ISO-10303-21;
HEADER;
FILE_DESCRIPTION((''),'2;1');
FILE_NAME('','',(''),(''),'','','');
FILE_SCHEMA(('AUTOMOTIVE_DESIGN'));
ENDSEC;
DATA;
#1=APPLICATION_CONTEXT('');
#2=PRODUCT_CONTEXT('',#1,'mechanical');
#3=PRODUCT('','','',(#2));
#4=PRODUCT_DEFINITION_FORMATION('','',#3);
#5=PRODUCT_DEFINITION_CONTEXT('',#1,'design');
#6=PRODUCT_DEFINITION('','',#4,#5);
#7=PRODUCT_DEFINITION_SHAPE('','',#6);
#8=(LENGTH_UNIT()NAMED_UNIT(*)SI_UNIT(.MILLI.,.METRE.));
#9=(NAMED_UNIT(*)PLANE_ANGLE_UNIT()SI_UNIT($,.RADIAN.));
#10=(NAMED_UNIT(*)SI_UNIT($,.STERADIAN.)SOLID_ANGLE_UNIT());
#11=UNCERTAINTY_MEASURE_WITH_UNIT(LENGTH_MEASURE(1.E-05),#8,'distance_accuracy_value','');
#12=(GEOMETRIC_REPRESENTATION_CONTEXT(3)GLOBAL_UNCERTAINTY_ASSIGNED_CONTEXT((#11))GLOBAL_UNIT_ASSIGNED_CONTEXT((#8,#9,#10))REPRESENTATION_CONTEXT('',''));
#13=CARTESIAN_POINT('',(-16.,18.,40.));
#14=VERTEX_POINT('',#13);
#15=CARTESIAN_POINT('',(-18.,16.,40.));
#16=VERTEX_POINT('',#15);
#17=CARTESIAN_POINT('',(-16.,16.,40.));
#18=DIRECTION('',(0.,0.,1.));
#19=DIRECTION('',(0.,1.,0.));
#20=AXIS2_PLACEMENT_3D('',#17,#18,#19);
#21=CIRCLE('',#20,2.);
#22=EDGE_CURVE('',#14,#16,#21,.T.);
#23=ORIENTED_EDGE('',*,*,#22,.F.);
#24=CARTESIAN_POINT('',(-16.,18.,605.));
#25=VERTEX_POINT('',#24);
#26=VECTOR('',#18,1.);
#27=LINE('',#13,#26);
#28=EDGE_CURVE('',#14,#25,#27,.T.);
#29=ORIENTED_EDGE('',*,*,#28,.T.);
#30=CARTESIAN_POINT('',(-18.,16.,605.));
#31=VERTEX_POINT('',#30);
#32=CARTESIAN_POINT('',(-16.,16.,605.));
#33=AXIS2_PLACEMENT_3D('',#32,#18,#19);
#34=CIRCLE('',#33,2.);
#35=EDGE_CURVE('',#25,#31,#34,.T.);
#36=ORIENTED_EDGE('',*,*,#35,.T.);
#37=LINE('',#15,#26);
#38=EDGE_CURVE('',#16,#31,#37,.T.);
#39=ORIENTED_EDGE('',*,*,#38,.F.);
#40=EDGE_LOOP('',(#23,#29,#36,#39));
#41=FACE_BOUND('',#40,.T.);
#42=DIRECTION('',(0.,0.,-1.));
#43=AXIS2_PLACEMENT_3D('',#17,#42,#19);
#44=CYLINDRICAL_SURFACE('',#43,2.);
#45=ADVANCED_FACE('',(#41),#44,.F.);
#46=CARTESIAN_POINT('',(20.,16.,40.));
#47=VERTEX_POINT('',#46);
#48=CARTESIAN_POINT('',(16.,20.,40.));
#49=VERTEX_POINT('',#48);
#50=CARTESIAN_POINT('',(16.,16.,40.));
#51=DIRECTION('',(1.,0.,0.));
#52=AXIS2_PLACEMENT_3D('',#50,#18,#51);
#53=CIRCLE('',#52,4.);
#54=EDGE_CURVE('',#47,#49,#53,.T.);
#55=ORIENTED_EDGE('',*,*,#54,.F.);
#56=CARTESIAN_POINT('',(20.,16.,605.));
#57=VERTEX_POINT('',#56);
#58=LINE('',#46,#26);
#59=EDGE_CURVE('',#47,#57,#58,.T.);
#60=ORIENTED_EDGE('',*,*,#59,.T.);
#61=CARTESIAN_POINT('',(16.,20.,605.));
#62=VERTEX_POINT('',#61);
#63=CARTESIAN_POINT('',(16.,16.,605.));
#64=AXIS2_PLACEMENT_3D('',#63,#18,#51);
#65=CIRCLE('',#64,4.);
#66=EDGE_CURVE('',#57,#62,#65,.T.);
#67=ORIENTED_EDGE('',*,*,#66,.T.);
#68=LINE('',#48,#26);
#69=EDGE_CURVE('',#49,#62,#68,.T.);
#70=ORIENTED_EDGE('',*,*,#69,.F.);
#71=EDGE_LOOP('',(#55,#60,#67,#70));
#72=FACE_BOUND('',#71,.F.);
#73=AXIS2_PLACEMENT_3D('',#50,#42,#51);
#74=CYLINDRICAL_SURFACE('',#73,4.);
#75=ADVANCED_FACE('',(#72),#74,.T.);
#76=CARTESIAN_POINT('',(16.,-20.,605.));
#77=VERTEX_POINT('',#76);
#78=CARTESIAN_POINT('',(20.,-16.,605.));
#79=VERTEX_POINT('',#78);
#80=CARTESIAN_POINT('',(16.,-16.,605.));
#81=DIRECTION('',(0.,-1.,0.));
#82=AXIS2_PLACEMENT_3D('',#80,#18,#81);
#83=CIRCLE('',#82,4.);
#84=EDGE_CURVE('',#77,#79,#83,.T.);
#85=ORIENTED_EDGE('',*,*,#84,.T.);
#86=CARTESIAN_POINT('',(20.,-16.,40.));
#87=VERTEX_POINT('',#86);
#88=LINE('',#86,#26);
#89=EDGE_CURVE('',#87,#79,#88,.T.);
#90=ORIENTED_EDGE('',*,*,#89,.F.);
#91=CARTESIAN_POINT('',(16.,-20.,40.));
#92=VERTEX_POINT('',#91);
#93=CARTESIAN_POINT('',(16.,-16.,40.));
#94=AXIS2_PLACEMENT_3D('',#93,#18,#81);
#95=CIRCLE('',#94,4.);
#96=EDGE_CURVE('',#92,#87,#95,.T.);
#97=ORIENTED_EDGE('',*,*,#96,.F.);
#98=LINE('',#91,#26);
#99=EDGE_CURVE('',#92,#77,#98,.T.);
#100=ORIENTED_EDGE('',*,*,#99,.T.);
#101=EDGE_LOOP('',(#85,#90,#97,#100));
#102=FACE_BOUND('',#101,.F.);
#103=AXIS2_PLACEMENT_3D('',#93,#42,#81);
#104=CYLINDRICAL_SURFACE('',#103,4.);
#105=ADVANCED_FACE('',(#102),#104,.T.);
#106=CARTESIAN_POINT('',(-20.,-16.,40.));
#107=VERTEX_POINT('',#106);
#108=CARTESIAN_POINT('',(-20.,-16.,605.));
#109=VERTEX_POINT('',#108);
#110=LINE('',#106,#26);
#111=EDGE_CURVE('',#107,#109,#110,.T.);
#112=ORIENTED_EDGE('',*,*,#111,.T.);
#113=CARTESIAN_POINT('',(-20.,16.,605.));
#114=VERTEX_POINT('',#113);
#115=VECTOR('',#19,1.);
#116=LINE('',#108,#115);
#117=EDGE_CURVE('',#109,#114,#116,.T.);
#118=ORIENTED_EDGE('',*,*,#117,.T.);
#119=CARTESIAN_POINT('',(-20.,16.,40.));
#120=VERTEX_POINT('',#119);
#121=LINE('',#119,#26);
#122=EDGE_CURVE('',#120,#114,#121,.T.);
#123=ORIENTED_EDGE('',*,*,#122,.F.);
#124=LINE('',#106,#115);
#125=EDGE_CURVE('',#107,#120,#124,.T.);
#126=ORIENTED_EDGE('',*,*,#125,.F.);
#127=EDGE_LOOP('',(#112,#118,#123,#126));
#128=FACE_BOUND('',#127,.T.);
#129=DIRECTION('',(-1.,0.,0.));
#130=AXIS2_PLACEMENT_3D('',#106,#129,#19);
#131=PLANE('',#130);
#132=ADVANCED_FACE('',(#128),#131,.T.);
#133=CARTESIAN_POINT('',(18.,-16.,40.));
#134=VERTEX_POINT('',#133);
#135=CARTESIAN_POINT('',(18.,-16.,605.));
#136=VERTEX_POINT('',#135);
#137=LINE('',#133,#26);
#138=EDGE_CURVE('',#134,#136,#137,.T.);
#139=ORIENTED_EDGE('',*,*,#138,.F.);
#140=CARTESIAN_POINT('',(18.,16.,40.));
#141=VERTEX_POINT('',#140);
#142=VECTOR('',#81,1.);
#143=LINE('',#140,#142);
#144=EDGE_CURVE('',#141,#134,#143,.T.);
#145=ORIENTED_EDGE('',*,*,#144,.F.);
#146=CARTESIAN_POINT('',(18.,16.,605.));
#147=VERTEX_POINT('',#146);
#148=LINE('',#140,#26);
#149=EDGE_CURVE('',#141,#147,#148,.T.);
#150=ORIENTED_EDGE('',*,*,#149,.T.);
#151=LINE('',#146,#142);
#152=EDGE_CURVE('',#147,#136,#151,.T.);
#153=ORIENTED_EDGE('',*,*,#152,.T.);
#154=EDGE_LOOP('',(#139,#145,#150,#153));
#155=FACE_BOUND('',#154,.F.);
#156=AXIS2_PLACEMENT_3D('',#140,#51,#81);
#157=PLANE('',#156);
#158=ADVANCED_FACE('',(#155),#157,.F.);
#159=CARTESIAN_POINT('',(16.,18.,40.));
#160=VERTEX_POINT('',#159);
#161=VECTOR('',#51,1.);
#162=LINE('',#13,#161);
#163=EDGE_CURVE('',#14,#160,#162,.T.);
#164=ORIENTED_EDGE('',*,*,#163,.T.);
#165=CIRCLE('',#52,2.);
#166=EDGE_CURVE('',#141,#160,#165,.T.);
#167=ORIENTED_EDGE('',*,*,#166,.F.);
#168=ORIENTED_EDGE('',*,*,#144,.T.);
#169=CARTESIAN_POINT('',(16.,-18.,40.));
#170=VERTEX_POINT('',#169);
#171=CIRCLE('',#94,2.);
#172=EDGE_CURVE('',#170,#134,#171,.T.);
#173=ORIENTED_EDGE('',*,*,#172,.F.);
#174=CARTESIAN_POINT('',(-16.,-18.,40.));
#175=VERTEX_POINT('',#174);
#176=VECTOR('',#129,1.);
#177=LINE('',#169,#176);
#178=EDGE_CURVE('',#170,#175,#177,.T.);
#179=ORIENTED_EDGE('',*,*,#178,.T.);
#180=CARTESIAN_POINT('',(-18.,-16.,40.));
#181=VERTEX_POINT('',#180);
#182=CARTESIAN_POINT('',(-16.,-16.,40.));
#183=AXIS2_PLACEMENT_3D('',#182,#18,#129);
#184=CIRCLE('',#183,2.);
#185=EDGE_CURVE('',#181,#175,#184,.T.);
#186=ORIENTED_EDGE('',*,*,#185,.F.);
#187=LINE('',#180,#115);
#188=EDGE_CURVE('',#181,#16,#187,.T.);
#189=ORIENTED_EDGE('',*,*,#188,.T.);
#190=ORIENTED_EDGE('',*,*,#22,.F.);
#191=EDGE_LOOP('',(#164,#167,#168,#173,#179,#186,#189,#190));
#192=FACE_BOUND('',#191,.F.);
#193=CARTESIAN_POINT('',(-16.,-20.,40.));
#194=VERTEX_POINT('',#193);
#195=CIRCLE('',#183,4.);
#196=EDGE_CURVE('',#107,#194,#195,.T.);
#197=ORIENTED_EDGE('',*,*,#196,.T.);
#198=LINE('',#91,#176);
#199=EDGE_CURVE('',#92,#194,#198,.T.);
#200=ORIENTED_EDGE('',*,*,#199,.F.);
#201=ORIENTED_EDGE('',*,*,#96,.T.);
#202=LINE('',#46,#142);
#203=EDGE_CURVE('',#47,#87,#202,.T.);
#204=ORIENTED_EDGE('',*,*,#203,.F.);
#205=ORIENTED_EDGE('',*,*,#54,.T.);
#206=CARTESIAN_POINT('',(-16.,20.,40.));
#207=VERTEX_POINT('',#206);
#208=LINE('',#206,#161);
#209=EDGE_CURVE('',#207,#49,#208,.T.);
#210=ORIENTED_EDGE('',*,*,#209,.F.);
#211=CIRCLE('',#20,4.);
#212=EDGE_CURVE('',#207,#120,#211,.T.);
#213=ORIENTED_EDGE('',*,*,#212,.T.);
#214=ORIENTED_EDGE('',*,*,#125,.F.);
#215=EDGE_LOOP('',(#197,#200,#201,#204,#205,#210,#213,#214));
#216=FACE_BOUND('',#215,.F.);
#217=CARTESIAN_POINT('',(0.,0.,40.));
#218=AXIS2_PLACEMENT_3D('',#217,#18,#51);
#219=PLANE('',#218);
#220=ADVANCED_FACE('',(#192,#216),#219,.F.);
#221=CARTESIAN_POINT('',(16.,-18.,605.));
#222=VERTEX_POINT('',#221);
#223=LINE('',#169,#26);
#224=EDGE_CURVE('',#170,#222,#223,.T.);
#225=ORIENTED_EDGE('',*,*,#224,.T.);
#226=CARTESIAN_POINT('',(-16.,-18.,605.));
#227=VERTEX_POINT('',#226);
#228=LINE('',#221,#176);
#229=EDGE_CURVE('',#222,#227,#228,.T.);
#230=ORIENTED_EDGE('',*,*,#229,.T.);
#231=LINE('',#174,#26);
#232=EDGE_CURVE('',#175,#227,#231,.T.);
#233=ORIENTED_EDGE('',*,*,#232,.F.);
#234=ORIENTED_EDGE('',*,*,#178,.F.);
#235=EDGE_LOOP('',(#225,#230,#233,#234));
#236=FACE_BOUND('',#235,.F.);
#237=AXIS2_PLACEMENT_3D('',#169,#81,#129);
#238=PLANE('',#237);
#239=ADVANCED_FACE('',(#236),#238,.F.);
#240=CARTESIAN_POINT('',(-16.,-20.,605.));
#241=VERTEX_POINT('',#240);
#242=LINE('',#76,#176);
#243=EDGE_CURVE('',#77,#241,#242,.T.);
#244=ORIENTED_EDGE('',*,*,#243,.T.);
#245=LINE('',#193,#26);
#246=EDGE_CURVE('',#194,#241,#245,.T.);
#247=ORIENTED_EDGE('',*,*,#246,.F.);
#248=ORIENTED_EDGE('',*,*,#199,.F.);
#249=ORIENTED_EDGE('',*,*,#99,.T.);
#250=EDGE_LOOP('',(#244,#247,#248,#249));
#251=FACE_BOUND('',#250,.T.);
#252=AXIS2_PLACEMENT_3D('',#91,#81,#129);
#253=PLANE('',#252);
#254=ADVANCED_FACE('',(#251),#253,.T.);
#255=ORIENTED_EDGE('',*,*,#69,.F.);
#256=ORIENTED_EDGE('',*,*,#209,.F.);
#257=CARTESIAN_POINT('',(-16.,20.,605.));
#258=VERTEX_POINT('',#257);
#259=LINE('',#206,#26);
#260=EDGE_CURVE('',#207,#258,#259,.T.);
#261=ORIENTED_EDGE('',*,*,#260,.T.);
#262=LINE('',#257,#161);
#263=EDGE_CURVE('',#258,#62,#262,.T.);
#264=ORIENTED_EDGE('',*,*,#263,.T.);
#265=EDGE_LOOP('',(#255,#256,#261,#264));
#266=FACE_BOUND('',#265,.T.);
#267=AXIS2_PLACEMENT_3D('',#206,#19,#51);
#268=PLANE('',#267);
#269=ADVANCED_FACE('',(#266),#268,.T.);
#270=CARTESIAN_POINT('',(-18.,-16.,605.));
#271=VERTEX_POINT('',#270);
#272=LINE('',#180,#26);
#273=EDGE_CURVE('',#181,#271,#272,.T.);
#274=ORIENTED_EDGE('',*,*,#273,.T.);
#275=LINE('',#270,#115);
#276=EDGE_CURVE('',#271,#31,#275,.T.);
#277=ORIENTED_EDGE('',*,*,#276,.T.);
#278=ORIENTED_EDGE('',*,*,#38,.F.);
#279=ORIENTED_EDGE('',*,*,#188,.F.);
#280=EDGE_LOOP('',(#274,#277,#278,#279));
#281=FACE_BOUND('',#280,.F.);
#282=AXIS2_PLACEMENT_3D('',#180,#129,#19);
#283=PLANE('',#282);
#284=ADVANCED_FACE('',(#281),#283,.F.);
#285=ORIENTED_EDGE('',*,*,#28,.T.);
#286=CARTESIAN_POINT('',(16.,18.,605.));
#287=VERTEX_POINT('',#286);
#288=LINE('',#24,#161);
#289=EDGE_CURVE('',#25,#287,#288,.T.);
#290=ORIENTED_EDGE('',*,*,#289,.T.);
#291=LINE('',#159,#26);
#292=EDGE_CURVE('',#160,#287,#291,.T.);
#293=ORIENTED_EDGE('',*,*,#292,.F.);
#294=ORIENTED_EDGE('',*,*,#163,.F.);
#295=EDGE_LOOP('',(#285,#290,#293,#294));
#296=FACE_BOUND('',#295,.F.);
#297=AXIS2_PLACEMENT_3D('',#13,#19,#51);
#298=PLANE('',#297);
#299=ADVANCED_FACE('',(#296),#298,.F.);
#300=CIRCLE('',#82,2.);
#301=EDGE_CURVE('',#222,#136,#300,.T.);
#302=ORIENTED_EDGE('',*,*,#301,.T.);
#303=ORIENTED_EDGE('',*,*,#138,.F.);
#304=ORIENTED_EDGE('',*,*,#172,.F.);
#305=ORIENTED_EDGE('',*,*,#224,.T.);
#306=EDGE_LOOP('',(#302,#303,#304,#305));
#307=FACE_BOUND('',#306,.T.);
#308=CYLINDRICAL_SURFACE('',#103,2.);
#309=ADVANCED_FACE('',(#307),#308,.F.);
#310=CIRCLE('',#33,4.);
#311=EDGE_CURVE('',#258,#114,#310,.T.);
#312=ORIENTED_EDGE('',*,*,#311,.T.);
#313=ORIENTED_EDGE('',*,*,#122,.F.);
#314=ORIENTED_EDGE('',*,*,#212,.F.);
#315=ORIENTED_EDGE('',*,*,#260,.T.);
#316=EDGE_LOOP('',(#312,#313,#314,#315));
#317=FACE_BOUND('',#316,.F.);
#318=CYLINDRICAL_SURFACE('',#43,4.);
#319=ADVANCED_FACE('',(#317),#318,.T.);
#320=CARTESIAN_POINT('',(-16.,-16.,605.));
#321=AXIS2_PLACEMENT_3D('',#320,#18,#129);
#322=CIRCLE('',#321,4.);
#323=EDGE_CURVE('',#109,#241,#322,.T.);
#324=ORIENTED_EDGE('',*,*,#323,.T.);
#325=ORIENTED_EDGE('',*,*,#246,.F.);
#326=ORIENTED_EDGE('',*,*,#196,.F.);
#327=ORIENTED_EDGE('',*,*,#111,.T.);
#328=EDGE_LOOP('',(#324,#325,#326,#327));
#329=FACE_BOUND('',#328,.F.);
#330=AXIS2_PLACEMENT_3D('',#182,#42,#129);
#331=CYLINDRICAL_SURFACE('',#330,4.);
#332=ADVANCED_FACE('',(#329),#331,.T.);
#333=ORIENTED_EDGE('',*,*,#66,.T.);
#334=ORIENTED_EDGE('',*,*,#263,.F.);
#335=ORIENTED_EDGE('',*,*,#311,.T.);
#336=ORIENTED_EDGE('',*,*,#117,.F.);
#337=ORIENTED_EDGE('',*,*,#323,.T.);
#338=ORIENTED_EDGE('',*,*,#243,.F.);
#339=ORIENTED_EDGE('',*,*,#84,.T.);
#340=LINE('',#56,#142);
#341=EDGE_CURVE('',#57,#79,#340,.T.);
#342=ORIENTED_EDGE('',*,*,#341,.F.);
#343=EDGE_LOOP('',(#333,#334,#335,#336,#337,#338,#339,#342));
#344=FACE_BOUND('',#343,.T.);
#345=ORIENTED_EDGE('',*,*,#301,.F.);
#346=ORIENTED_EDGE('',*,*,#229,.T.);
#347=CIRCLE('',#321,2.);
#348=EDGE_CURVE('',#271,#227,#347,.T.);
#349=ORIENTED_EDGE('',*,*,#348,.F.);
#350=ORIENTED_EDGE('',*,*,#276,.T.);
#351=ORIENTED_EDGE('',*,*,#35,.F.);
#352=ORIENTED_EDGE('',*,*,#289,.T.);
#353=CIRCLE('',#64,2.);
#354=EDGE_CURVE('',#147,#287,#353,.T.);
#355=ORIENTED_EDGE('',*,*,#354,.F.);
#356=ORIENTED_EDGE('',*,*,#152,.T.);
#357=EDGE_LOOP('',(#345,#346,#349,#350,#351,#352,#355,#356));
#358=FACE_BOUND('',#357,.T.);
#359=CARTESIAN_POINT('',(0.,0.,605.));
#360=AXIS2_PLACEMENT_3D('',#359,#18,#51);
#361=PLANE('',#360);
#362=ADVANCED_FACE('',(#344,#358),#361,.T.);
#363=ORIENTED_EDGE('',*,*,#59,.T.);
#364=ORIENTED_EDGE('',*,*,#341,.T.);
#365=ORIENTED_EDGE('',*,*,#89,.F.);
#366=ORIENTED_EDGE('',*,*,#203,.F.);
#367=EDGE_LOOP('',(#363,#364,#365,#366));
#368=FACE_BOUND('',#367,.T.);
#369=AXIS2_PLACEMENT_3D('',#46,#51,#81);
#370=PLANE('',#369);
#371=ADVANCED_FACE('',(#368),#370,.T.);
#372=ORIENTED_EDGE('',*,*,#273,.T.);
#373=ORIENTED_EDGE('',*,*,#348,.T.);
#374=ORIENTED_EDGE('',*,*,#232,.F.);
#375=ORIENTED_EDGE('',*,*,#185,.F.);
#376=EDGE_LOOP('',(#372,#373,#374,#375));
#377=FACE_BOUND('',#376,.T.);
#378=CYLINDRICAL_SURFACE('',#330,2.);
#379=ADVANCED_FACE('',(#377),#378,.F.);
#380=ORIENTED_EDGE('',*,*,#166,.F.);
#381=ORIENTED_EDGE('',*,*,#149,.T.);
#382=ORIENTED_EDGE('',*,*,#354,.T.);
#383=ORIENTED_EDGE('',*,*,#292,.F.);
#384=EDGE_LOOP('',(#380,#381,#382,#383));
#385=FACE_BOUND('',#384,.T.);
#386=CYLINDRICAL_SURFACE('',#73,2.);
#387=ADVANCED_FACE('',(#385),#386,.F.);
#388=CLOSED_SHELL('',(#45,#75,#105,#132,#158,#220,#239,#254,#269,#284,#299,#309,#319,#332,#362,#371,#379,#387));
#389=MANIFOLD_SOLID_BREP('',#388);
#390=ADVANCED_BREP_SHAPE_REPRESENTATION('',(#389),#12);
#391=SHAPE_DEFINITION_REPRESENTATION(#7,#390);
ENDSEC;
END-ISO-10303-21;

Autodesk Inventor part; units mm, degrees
ref_plane "YZ Plane" through (0, 0, 0) normal (1, 0, 0) x (0, 1, 0)
ref_plane "Start Plane" through (0, 0, 40) normal (0, 0, 1) x (1, 0, 0)
ref_plane "End Plane" through (0, 0, 605) normal (0, 0, 1) x (1, 0, 0)
sketch "Sketch" plane through (0, 0, 0) normal (0, 0, 1) x (1, 0, 0)
  line L0 (-20, -16) -> (-20, 16)
  line L1 (-16, 20) -> (16, 20)
  line L2 (20, 16) -> (20, -16)
  line L3 (16, -20) -> (-16, -20)
  arc A0 (-20, -16) -> (-16, -20) centre (-16, -16) ccw
  arc A1 (20, 16) -> (16, 20) centre (16, 16) ccw
  arc A2 (-16, 20) -> (-20, 16) centre (-16, 16) ccw
  arc A3 (16, -20) -> (20, -16) centre (16, -16) ccw
  arc A4 (-16, 18) -> (-18, 16) centre (-16, 16) ccw
  line L4 (-16, 18) -> (16, 18)
  arc A5 (18, 16) -> (16, 18) centre (16, 16) ccw
  line L5 (18, 16) -> (18, -16)
  arc A6 (16, -18) -> (18, -16) centre (16, -16) ccw
  line L6 (16, -18) -> (-16, -18)
  arc A7 (-18, -16) -> (-16, -18) centre (-16, -16) ccw
  line L7 (-18, -16) -> (-18, 16)
  line L8 (0, 29.1598) -> (0, -29.1598) construction
  line L9 (-29.1598, 0) -> (29.1598, 0) construction
  dimension "d7" = 4
  dimension "d9" = 40
  dimension "d11" = 40
  dimension "d12" = 2
  dimension "d15" = 20
  dimension "d16" = 20
extrude "Body" add sketch "Sketch" along normal up to surface (565 mm away) from surface at 40
sketch "Sketch3" plane through (0, 0, 0) normal (0, 0, 1) x (1, 0, 0)
  line L0 (0, 0) -> (10, 0)
ref_plane "Work Plane3" through (0, 0, 0) normal (0, -1, 0) x (1, 0, 0)
sketch "Sketch4" plane through (0, 0, 0) normal (0, -1, 0) x (1, 0, 0)
  line L0 (-2, 40) -> (12, 40) projected
  line L1 (-2, 605) -> (12, 605) projected
  dimension "d18" = 565
equation "\"d7\" = G_IR"
equation "\"d9\" = G_W"
equation "\"d11\" = G_H"
equation "\"d12\" = G_T"
equation "\"d15\" = 0.5 * d9"
equation "\"d16\" = 0.5 * d11"
equation "\"d3\" = G_L"
equation "\"G_W\" = 40"
equation "\"G_H\" = 40"
equation "\"G_T\" = 2"
equation "\"G_IR\" = 4"
equation "\"G_L\" = d18"
equation "\"d14\" = G_OFFSET_END + B_L"
equation "\"B_L\" = 625"
equation "\"G_OFFSET_END\" = -20"
properties part number "ISO 4019 - 40x40x2 - 565" material "Steel, Mild"
